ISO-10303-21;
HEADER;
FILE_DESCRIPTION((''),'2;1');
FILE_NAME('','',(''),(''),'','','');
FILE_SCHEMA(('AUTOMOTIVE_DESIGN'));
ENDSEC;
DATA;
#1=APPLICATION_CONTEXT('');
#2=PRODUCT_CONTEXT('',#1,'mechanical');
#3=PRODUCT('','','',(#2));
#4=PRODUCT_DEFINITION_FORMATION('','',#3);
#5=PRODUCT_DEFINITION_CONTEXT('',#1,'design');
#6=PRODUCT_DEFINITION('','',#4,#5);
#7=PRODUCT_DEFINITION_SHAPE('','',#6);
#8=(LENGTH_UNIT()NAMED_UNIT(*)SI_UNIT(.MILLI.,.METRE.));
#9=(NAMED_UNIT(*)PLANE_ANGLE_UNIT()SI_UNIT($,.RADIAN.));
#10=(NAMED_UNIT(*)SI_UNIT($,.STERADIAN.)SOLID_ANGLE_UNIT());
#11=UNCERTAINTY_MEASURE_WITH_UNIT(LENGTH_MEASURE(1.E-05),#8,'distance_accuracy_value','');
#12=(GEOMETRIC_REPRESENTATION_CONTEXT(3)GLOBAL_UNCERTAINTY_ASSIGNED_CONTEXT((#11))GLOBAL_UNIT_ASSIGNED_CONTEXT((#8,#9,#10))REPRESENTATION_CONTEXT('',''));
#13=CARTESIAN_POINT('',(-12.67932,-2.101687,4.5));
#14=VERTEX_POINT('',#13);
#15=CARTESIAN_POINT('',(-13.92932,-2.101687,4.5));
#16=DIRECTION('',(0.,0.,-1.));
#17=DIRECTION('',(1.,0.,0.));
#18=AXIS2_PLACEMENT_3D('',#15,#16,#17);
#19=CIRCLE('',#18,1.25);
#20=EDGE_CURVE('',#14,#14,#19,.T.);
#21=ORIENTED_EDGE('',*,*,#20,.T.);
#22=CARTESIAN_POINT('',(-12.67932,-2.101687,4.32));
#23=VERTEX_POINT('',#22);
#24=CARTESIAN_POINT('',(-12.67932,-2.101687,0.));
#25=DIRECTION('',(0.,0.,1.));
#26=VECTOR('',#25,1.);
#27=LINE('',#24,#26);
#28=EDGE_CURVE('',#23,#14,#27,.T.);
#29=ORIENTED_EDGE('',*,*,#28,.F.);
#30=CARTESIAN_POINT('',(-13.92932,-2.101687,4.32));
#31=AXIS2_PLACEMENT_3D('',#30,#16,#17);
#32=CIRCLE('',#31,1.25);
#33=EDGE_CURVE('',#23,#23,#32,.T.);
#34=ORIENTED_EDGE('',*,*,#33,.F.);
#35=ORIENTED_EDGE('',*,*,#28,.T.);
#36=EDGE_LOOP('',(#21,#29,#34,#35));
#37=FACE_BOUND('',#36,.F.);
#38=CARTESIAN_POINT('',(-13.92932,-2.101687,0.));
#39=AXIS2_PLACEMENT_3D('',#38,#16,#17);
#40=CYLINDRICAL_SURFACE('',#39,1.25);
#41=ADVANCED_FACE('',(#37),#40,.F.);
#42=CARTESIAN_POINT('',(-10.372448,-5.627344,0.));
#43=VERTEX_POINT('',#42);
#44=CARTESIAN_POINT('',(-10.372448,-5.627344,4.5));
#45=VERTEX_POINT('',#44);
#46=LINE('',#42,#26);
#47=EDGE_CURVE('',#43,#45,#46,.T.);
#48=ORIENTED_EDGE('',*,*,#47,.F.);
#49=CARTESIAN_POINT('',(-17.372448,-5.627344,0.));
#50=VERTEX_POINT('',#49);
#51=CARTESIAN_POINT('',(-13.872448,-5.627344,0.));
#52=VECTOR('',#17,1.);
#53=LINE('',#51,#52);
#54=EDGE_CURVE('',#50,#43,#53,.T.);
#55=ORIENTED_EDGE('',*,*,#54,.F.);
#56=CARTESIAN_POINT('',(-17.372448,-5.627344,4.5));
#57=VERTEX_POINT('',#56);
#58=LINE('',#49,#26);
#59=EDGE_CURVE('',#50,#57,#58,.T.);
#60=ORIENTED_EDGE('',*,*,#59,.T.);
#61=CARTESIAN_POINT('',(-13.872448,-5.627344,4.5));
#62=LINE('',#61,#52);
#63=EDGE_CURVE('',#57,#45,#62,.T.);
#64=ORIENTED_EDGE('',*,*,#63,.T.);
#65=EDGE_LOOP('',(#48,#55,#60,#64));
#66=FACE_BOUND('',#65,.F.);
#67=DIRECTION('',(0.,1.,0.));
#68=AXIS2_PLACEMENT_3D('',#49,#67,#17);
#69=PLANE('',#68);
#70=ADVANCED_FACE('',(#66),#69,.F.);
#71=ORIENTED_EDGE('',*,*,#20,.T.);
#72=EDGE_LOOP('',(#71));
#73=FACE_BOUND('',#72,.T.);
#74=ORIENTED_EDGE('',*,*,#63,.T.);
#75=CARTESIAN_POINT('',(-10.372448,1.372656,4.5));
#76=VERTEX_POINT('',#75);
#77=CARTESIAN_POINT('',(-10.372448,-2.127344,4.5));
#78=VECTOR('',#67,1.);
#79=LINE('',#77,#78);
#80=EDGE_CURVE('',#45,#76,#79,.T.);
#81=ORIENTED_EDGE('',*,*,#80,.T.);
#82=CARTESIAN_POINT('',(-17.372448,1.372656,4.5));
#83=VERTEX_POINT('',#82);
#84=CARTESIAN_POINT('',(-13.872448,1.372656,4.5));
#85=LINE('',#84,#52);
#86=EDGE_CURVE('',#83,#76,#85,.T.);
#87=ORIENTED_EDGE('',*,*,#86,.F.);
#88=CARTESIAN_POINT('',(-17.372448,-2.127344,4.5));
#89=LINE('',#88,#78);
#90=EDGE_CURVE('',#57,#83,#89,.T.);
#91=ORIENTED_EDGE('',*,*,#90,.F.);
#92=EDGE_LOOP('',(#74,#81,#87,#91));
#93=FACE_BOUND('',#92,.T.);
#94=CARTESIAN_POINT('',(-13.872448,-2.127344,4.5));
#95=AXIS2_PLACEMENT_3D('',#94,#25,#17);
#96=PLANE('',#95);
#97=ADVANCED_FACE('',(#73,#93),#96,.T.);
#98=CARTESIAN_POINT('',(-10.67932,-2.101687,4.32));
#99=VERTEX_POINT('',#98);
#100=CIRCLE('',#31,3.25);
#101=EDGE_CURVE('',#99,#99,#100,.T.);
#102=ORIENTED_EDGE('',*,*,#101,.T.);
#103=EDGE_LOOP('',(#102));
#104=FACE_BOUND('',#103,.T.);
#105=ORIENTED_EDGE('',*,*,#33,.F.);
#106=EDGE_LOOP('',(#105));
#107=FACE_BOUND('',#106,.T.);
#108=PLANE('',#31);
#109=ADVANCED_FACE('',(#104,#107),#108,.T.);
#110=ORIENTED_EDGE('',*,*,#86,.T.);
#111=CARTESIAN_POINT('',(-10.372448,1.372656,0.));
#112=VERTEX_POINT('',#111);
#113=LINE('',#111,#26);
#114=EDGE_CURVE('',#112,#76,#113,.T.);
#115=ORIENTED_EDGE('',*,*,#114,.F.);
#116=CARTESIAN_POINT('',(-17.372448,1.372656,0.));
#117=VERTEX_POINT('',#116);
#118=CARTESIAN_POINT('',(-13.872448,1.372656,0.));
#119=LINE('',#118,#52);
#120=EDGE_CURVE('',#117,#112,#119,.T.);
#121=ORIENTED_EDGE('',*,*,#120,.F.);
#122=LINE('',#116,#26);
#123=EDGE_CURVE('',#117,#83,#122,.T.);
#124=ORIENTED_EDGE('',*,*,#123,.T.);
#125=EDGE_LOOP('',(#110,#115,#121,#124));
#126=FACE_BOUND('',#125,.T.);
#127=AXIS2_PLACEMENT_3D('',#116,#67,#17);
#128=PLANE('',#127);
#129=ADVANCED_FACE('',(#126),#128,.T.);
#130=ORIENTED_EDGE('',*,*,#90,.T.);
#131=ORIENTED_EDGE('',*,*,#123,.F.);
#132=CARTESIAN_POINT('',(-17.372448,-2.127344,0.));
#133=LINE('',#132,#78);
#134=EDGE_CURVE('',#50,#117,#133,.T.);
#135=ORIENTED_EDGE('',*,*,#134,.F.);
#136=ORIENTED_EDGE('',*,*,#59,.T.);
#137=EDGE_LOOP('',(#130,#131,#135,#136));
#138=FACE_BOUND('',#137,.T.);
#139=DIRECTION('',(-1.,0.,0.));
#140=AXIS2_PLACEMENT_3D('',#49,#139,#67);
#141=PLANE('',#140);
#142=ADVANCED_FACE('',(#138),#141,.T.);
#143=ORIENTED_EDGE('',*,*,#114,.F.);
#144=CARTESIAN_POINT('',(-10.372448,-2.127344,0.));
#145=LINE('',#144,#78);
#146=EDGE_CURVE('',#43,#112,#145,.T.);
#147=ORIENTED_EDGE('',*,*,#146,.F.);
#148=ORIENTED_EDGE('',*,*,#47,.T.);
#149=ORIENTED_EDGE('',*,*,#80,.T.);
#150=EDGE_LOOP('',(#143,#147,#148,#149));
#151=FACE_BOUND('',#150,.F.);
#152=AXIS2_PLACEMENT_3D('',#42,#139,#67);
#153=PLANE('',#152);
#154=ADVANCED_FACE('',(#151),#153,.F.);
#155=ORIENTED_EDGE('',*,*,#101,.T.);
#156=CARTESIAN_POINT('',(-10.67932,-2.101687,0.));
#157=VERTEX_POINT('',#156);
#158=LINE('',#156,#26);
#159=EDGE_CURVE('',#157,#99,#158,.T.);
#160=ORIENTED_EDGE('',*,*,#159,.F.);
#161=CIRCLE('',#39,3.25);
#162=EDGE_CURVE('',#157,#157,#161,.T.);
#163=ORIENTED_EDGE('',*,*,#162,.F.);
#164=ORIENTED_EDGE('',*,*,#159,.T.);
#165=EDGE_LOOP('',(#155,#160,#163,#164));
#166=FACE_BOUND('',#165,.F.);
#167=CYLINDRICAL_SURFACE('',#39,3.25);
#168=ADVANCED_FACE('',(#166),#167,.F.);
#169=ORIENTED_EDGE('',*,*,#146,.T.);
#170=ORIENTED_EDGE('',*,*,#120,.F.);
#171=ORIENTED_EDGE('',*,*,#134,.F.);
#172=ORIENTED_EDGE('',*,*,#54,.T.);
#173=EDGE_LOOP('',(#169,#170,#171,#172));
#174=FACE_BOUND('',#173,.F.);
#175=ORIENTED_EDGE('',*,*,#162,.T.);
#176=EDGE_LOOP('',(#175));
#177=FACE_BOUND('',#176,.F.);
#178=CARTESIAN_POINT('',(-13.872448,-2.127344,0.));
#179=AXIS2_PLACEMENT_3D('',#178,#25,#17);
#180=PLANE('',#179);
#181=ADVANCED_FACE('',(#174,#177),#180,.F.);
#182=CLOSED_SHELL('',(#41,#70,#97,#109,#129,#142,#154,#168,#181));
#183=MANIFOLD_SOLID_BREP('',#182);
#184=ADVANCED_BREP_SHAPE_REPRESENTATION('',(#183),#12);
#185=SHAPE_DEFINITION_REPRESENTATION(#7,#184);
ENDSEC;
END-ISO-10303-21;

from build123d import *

# Parameters (mm, degrees)
F0_W     = 7
F0_H     = 7
F1_DEPTH = 4.5
F3_R     = 1.25
F4_DEPTH = 25
F3_R_2   = 3.25
F5_DEPTH = 4.32


with BuildPart() as f1:
    # F0 (on Top) → F1 (new body)
    with BuildSketch(Plane.XY):
        with Locations((-13.872448, -2.127344)):
            Rectangle(F0_W, F0_H)
    extrude(amount=F1_DEPTH)

    # F3 (on face) → F4 (cut)
    with BuildSketch(Plane(origin=(0, 0, 0), x_dir=(1, 0, 0), z_dir=(0, 0, -1))):
        with Locations((-13.92932, 2.101687)):
            Circle(F3_R)
    extrude(amount=-F4_DEPTH, mode=Mode.SUBTRACT)

    # F3 (on face) → F5 (cut)
    with BuildSketch(Plane(origin=(0, 0, 0), x_dir=(1, 0, 0), z_dir=(0, 0, -1))):
        with Locations((-13.92932, 2.101687)):
            Circle(F3_R_2)
        with Locations((-13.92932, 2.101687)):
            Circle(F3_R, mode=Mode.SUBTRACT)
    extrude(amount=-F5_DEPTH, mode=Mode.SUBTRACT)


solid = f1.part
